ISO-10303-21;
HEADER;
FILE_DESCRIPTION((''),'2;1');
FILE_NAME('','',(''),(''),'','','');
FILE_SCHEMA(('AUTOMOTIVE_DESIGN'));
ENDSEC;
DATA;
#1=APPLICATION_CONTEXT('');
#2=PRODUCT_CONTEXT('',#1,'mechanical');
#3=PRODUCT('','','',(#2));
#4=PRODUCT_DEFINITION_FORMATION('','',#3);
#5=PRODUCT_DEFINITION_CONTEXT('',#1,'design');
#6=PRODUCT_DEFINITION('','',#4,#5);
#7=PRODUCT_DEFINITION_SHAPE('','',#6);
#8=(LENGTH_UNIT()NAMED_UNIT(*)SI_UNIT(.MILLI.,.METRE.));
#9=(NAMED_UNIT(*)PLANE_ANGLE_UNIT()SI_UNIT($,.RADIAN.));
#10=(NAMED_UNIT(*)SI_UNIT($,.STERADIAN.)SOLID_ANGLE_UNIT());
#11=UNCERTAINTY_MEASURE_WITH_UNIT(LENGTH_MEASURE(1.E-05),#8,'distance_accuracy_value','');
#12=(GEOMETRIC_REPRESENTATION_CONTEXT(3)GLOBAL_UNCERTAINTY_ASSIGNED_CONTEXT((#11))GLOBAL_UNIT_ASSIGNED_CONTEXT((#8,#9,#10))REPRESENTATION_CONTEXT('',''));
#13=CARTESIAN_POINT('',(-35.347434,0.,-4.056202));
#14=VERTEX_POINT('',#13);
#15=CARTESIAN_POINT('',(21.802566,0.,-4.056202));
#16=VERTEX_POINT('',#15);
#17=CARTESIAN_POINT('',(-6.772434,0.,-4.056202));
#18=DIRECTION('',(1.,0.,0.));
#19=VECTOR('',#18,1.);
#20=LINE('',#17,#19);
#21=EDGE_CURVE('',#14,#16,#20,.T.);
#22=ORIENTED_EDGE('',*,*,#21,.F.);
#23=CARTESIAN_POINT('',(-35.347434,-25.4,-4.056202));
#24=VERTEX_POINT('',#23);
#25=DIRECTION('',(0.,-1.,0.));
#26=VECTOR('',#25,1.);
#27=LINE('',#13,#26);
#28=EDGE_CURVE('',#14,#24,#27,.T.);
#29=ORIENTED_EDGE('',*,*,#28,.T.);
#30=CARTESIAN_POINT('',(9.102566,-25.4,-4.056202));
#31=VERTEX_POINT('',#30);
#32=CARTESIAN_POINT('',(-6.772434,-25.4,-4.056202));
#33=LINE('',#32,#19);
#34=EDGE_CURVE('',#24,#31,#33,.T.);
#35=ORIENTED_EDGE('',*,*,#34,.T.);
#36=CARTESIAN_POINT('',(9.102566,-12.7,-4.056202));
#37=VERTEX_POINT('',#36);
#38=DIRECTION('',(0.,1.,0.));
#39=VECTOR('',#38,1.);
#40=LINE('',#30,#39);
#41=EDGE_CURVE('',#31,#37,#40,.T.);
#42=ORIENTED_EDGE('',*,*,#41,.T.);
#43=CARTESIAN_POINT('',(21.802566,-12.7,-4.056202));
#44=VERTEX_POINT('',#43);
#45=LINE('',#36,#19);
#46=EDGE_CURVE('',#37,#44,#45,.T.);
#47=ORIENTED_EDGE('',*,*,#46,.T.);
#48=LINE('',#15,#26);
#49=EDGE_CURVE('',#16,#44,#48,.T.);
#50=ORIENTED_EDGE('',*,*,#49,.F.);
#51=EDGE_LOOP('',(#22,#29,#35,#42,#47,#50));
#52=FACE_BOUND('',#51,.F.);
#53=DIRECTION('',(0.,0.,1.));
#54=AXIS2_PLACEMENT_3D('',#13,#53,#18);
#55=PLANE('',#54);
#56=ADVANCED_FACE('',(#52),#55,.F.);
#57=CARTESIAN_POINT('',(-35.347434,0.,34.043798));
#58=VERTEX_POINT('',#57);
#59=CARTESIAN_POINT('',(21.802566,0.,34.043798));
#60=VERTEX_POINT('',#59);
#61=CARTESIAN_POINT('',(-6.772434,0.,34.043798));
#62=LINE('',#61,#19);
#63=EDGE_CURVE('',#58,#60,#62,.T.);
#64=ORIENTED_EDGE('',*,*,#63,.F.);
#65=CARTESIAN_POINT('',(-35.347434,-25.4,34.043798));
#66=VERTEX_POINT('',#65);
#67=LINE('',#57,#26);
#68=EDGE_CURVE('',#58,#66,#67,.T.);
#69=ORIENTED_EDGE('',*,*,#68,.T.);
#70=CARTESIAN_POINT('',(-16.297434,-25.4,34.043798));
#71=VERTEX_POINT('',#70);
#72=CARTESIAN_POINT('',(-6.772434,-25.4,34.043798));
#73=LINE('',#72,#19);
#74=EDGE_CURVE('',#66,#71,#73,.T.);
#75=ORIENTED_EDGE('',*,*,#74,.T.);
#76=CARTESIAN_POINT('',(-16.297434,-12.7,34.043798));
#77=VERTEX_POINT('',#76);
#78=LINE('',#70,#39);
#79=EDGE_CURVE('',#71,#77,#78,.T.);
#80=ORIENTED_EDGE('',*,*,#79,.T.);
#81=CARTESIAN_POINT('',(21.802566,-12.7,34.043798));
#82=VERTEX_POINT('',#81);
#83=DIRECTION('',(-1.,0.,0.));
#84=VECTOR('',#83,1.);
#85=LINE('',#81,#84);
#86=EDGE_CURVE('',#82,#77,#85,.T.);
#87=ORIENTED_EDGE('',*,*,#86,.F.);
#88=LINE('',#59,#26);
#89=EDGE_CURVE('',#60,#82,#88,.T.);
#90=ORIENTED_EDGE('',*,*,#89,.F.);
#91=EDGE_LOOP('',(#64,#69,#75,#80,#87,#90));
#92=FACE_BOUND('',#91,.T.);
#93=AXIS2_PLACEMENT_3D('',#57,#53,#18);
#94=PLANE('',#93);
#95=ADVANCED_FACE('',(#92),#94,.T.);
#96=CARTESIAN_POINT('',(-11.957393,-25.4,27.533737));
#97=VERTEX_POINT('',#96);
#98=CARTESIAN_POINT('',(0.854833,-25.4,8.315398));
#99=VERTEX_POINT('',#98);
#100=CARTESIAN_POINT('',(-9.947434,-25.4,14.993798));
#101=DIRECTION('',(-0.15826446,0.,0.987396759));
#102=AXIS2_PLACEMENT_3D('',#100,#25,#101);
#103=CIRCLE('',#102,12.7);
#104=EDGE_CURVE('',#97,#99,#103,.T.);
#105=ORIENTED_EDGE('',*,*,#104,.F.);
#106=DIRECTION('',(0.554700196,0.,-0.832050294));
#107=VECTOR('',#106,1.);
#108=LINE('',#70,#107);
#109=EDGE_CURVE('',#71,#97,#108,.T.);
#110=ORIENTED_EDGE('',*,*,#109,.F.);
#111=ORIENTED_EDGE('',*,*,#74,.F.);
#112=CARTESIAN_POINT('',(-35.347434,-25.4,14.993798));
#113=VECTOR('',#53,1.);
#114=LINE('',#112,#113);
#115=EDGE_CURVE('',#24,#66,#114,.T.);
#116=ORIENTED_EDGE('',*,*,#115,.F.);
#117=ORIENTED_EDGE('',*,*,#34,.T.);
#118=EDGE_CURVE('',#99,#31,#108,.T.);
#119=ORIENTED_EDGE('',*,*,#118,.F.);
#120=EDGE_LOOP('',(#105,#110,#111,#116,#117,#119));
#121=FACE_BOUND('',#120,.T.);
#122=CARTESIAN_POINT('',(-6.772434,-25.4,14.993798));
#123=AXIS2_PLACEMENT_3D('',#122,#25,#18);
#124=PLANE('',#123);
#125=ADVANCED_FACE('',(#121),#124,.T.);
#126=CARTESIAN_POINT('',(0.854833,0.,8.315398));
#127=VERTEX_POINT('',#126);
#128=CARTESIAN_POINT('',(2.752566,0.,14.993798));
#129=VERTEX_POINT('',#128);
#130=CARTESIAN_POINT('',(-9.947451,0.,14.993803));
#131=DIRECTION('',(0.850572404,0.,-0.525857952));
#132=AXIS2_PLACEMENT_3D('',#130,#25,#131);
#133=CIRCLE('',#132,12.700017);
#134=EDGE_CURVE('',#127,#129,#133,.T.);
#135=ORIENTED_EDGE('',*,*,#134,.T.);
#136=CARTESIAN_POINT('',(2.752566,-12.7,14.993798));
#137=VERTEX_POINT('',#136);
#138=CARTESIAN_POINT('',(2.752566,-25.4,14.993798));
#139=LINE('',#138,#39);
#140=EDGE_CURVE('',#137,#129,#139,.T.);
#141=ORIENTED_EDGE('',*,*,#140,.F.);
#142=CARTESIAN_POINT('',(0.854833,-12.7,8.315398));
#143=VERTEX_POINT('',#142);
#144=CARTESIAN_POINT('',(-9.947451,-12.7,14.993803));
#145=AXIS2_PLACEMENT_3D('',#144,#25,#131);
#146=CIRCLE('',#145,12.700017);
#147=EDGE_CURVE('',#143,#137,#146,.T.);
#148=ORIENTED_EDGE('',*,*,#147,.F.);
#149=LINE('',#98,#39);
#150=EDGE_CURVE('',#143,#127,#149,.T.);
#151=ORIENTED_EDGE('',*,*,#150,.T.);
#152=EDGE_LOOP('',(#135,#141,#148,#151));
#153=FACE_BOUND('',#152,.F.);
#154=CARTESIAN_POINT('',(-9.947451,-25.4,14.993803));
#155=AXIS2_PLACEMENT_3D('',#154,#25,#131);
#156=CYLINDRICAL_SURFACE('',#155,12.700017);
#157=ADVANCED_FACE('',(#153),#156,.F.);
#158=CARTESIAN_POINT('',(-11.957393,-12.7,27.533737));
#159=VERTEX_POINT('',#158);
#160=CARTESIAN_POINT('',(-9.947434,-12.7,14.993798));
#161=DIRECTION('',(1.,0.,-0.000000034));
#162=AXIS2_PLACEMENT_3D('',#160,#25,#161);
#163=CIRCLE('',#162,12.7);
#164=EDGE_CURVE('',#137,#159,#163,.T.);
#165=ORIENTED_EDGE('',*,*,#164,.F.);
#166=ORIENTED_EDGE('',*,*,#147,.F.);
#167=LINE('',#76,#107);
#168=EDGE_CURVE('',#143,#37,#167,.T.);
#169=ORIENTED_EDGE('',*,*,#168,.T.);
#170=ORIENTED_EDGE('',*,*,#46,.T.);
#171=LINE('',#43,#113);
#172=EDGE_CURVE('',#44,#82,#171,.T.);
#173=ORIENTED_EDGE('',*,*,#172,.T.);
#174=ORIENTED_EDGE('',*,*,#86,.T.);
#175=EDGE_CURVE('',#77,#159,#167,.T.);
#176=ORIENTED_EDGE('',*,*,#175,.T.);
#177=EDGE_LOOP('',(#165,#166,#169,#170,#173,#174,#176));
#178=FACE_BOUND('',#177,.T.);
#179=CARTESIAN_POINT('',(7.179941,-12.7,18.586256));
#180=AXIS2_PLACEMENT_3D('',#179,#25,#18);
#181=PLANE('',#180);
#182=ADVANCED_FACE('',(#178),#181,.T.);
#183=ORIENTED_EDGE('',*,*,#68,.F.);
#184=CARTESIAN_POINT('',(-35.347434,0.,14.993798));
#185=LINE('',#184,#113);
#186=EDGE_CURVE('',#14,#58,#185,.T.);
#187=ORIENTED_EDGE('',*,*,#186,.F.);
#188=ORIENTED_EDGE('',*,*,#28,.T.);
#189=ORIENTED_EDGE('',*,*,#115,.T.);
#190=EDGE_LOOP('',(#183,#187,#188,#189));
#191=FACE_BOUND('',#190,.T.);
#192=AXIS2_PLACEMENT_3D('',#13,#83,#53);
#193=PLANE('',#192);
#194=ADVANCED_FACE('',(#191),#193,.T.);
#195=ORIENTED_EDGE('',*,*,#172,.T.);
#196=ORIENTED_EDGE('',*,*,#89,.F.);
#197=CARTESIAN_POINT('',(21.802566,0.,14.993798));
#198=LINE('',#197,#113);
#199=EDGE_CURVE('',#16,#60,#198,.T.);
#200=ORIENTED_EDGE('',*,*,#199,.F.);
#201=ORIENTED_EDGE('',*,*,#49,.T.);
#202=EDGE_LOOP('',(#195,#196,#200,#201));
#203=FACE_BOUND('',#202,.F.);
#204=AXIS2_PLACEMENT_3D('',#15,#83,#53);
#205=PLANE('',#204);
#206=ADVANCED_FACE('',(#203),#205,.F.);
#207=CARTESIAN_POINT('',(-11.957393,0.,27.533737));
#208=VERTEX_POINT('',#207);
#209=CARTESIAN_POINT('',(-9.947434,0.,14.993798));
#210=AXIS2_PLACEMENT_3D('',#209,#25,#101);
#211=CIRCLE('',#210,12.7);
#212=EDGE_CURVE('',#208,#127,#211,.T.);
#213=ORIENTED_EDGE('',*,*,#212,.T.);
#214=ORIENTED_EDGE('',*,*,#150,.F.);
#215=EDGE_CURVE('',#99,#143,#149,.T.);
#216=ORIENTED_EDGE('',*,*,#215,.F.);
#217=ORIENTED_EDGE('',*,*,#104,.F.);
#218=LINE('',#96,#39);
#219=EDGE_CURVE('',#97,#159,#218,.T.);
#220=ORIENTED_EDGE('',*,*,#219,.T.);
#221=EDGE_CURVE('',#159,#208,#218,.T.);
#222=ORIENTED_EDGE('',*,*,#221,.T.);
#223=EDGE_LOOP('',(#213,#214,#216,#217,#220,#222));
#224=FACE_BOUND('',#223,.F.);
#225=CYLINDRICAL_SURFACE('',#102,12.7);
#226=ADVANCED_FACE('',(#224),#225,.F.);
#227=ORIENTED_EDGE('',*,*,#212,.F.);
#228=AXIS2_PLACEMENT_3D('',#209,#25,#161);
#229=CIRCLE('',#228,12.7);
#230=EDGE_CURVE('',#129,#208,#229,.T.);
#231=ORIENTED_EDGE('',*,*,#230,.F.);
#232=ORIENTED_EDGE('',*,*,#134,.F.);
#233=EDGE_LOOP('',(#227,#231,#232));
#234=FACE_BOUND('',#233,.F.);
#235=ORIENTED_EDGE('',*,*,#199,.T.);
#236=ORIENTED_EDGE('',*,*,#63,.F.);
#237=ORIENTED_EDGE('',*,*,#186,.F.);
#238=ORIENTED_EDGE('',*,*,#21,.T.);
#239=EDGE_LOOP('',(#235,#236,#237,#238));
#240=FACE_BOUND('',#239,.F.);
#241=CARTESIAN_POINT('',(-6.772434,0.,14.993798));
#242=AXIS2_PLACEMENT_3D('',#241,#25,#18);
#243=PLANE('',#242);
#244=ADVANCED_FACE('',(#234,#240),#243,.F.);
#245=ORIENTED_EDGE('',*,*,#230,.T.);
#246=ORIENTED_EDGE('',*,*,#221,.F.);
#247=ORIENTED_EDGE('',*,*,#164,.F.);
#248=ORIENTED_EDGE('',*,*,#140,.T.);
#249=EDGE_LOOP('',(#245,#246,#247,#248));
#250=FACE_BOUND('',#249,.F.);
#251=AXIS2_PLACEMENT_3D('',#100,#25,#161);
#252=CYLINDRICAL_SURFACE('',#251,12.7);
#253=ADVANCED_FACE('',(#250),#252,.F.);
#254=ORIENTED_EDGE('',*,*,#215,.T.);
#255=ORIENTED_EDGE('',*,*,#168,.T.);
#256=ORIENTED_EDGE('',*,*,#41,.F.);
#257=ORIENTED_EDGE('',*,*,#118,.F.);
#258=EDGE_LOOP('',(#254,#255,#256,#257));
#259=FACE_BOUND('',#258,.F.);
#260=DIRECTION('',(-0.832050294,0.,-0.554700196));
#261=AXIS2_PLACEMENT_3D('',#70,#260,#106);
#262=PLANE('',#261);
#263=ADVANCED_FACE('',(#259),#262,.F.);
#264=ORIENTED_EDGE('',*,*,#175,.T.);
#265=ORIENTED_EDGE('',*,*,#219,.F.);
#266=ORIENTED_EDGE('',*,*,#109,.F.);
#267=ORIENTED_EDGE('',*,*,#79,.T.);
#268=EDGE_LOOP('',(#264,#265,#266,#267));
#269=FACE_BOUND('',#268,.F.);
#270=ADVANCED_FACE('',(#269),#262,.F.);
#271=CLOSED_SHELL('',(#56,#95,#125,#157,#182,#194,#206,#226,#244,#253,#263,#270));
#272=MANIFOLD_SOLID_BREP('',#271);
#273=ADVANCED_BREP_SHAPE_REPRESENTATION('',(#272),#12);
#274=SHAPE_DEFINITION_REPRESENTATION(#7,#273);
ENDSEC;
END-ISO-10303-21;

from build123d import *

# Parameters (mm, degrees)
F0_W     = 57.15
F0_H     = 38.1
F1_DEPTH = 25.4
F3_DEPTH = 12.7
F5_DEPTH = 25.401


with BuildPart() as f1:
    # F0 (on Front) → F1 (new body)
    with BuildSketch(Plane.XZ):
        with Locations((-6.772434, 14.993798)):
            Rectangle(F0_W, F0_H)
    extrude(amount=F1_DEPTH)

    # F2 (on face) → F3 (cut)
    with BuildSketch(Plane.XZ.offset(25.4)):
        Polygon((21.802566, 34.043798), (-16.297434, 34.043798), (9.102566, -4.056202), (21.802566, -4.056202), align=None)
    extrude(amount=-F3_DEPTH, mode=Mode.SUBTRACT)

    # F4 (on face) → F5 (cut, through all)
    with BuildSketch(Plane.XZ.offset(25.4)):
        with BuildLine():
            Line((0.854833, 8.315398), (-11.957393, 27.533737))
            ThreePointArc((-11.957393, 27.533737), (-20.514473, 7.949105), (0.854833, 8.315398))
        make_face()
        with BuildLine():
            ThreePointArc((0.854833, 8.315398), (2.268923, 11.5224), (2.752566, 14.993798))
            ThreePointArc((2.752566, 14.993798), (-1.708395, 24.658592), (-11.957393, 27.533737))
            Line((-11.957393, 27.533737), (0.854833, 8.315398))
        make_face()
    extrude(amount=-F5_DEPTH, mode=Mode.SUBTRACT)


solid = f1.part
